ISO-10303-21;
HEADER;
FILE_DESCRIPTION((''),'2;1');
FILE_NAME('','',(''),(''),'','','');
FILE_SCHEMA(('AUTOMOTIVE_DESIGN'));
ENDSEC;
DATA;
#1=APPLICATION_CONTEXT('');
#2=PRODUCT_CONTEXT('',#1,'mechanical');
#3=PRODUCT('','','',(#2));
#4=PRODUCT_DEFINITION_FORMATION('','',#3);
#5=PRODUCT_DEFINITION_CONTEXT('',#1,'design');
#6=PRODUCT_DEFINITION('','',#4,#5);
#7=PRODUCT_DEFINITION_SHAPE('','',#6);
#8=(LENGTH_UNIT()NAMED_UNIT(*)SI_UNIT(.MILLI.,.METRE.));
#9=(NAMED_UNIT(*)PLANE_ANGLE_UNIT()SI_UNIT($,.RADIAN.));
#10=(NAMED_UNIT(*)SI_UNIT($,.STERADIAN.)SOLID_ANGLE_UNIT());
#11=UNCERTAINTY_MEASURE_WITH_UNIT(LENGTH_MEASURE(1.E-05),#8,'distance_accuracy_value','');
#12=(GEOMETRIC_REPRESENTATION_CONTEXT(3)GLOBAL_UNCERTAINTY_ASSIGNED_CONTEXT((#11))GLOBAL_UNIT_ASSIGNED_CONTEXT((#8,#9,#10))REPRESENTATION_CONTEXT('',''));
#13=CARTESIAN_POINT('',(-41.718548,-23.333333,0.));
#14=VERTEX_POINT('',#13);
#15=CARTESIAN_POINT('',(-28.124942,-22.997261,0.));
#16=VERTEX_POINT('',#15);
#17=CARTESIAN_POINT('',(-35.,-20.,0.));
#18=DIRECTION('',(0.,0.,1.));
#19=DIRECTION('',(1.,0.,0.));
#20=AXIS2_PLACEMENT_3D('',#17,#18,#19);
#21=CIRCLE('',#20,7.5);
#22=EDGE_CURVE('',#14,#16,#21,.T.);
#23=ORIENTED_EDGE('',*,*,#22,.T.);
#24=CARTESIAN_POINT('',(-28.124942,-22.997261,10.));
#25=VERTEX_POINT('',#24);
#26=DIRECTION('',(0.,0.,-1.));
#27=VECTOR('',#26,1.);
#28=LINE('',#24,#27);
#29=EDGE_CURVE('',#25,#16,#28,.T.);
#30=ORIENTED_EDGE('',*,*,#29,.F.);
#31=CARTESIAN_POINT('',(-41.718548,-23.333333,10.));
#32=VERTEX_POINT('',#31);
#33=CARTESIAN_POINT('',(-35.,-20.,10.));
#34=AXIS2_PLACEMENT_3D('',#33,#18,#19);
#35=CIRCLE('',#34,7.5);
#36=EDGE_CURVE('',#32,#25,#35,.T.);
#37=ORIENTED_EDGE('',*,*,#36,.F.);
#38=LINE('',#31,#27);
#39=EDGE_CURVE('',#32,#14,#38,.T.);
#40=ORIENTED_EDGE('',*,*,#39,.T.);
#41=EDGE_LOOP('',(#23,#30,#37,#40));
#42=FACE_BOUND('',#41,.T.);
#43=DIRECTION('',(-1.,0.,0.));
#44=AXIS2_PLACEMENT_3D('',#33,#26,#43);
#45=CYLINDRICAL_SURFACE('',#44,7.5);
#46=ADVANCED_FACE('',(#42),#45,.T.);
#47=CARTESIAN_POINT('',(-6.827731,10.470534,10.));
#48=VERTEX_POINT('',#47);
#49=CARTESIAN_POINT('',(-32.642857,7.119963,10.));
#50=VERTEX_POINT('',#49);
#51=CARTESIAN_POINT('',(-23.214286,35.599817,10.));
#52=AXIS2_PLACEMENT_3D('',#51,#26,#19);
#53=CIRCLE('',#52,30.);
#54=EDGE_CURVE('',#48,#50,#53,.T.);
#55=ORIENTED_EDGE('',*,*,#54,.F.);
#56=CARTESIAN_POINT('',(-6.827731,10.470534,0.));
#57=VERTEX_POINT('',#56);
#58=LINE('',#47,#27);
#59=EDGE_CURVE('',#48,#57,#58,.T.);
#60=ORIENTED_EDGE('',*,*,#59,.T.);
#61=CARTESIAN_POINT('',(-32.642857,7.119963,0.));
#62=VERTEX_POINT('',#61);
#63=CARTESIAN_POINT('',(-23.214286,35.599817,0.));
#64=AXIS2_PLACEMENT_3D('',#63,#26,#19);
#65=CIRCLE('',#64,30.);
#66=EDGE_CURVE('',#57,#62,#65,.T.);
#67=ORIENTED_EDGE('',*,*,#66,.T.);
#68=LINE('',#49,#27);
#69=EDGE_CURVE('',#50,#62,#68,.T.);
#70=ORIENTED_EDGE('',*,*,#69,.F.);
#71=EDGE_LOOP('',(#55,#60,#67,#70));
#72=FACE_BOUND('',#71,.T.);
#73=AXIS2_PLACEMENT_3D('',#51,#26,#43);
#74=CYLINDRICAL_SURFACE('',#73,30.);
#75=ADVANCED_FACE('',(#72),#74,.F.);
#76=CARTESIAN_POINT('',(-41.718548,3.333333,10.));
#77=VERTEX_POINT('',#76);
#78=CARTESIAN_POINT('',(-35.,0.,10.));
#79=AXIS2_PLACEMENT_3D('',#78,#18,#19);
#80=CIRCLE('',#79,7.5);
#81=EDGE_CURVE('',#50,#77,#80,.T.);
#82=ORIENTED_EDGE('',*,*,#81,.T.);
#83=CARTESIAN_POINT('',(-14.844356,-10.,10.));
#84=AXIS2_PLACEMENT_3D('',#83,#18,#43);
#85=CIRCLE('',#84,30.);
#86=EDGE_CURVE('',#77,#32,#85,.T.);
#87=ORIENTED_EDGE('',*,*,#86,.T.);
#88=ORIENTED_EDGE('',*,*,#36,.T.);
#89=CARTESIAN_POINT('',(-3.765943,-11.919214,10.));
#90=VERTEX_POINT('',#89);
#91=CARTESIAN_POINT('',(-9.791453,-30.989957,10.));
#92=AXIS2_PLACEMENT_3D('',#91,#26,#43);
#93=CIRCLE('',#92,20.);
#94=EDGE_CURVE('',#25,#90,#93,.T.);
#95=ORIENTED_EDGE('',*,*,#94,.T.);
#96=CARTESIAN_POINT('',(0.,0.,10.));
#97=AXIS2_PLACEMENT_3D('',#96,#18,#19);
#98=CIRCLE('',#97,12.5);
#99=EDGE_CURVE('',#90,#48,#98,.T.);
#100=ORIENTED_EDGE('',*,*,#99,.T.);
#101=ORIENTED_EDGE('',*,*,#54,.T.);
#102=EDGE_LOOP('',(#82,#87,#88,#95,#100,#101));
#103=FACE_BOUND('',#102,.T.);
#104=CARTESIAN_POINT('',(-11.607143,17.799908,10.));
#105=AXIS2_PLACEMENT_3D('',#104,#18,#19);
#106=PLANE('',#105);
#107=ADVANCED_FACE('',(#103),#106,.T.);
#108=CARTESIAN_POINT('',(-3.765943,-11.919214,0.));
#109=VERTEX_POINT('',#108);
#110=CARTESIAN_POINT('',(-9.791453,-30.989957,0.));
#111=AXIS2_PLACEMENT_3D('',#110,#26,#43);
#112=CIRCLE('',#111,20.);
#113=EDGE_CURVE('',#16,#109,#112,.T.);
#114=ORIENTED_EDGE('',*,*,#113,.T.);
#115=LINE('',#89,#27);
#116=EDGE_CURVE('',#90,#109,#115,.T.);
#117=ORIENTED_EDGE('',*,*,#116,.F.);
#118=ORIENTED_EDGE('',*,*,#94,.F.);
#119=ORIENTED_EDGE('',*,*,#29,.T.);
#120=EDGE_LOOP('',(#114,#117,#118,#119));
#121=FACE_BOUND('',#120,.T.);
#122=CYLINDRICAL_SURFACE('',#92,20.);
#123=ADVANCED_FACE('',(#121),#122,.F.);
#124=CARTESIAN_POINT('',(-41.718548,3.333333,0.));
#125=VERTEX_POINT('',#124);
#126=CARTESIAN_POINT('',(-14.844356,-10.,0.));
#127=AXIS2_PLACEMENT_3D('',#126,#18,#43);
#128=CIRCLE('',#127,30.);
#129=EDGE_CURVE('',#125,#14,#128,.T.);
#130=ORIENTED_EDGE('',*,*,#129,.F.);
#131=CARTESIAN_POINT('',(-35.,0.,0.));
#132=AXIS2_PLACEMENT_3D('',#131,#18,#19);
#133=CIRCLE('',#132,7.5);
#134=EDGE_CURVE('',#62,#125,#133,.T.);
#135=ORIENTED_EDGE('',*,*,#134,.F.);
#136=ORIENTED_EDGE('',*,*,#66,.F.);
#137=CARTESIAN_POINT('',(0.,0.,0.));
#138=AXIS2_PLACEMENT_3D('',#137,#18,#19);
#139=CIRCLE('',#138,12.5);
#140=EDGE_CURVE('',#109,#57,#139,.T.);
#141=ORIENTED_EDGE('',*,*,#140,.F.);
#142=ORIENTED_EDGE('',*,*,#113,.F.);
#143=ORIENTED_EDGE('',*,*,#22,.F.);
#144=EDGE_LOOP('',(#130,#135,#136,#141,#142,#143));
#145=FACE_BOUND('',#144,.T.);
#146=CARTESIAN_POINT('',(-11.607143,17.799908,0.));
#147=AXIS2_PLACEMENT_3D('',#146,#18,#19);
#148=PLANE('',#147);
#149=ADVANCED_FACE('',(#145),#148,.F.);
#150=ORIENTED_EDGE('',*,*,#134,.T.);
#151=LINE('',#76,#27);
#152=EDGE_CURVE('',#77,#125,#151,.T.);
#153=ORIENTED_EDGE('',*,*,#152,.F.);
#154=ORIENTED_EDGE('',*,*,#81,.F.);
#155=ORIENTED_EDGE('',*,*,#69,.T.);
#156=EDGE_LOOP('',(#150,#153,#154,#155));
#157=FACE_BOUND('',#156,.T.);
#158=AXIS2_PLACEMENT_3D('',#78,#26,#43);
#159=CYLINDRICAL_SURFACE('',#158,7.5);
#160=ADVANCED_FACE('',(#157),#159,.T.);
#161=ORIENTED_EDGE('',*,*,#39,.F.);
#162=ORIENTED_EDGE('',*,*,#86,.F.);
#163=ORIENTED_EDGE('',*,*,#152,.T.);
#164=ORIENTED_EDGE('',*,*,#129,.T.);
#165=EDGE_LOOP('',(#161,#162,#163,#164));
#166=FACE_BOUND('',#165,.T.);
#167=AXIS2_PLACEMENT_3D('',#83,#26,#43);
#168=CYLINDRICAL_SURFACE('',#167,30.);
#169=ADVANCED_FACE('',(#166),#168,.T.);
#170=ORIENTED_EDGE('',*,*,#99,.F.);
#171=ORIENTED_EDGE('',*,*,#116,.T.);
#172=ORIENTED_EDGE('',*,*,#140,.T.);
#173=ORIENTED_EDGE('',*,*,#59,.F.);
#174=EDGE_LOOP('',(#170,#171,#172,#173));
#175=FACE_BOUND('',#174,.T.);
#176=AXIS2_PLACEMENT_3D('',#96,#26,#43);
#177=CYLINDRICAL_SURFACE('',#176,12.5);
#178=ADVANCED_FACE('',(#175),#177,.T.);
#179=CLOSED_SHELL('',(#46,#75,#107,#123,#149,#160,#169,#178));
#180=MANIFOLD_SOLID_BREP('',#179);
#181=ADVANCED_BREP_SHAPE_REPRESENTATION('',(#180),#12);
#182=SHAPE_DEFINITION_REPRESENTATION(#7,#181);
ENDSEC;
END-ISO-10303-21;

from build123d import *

# Parameters (mm, degrees)
SALIENTE_EXTRUIR1_DEPTH = 10


with BuildPart() as part:
    # Croquis1 → Saliente-Extruir1 (new body)
    with BuildSketch(Plane.XY):
        with BuildLine():
            ThreePointArc((-3.765943471, -11.91921431), (12.384736399, 1.693606895), (-6.827731092, 10.470534281))
            ThreePointArc((-6.827731092, 10.470534281), (-19.352943462, 5.849353769), (-32.642857143, 7.119963311))
            ThreePointArc((-32.642857143, 7.119963311), (-37.887924102, 6.921697363), (-41.718548124, 3.333333333))
            ThreePointArc((-41.718548124, 3.333333333), (-44.844355629, -10), (-41.718548124, -23.333333333))
            ThreePointArc((-41.718548124, -23.333333333), (-34.814635494, -27.497708983), (-28.124941734, -22.997261056))
            ThreePointArc((-28.124941734, -22.997261056), (-18.071088744, -12.784253915), (-3.765943471, -11.91921431))
        make_face()
    extrude(amount=SALIENTE_EXTRUIR1_DEPTH)


solid = part.part
